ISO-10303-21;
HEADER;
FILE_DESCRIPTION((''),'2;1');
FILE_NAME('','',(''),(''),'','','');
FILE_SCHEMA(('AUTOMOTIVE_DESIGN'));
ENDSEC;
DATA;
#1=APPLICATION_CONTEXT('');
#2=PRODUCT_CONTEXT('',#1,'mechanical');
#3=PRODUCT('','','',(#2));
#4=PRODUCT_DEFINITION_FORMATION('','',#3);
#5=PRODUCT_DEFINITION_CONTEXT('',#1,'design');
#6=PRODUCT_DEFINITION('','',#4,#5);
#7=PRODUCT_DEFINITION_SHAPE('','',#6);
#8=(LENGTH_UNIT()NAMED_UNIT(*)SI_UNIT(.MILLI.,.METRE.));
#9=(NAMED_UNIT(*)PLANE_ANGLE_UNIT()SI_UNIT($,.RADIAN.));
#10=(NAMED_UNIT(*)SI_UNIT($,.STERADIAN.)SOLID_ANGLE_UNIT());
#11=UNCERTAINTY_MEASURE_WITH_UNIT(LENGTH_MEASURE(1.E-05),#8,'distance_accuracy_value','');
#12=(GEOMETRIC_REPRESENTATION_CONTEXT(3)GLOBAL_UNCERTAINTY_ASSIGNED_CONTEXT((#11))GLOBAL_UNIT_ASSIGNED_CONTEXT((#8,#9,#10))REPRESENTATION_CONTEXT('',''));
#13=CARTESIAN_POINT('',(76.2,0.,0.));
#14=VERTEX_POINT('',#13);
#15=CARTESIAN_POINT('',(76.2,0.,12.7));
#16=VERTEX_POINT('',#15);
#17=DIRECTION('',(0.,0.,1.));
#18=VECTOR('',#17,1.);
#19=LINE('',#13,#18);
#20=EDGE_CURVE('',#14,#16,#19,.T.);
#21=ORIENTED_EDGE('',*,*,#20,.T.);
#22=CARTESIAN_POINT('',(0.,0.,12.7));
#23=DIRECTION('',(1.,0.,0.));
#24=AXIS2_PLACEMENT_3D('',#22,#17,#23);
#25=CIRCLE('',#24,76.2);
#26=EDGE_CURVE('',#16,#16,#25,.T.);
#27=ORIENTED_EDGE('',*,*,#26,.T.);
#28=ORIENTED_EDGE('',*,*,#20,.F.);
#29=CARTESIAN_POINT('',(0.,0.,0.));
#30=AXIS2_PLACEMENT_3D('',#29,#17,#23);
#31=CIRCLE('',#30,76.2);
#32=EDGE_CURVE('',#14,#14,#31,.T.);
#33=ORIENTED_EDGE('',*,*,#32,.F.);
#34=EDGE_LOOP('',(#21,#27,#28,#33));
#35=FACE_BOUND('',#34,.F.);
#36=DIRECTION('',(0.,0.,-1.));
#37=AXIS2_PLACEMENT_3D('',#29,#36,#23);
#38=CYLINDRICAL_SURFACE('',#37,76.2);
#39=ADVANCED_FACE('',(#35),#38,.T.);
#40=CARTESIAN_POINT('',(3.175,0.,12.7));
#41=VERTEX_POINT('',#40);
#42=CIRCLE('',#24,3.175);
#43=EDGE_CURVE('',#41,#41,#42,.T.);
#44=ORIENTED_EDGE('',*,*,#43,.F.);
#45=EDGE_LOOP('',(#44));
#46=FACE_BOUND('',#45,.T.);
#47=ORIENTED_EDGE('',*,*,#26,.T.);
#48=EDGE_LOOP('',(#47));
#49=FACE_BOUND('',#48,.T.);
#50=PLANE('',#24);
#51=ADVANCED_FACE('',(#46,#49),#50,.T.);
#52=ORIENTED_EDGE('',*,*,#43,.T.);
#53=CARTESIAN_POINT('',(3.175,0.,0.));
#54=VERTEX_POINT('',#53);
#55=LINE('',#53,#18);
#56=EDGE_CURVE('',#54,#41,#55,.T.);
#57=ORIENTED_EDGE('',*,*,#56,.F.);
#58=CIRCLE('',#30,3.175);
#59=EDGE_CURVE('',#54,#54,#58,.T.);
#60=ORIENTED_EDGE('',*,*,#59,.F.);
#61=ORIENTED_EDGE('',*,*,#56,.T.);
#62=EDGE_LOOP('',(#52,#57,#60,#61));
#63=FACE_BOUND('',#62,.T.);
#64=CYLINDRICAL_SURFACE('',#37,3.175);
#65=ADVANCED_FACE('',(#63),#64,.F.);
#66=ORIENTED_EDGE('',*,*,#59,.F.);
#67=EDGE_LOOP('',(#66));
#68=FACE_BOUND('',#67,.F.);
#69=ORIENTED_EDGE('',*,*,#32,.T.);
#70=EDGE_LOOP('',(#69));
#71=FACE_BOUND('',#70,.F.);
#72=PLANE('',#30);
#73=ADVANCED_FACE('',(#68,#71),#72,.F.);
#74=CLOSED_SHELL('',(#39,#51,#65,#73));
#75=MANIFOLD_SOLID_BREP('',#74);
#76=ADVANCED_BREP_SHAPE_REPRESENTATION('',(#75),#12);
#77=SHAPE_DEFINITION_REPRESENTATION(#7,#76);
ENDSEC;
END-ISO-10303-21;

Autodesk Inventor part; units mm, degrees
ref_plane "YZ Plane" through (0, 0, 0) normal (1, 0, 0) x (0, 1, 0)
ref_plane "XZ Plane" through (0, 0, 0) normal (0, 1, 0) x (-1, 0, 0)
ref_plane "XY Plane" through (0, 0, 0) normal (0, 0, 1) x (1, 0, 0)
sketch "Sketch1" plane through (0, 0, 0) normal (0, 0, 1) x (1, 0, 0)
  circle A0 centre (0, 0) radius 3.175
  circle A1 centre (0, 0) radius 76.2
  dimension "d0" = 6.35
  dimension "d1" = 152.4
extrude "Extrusion1" add sketch "Sketch1" along normal blind 12.7
properties part number "6in wheel"
